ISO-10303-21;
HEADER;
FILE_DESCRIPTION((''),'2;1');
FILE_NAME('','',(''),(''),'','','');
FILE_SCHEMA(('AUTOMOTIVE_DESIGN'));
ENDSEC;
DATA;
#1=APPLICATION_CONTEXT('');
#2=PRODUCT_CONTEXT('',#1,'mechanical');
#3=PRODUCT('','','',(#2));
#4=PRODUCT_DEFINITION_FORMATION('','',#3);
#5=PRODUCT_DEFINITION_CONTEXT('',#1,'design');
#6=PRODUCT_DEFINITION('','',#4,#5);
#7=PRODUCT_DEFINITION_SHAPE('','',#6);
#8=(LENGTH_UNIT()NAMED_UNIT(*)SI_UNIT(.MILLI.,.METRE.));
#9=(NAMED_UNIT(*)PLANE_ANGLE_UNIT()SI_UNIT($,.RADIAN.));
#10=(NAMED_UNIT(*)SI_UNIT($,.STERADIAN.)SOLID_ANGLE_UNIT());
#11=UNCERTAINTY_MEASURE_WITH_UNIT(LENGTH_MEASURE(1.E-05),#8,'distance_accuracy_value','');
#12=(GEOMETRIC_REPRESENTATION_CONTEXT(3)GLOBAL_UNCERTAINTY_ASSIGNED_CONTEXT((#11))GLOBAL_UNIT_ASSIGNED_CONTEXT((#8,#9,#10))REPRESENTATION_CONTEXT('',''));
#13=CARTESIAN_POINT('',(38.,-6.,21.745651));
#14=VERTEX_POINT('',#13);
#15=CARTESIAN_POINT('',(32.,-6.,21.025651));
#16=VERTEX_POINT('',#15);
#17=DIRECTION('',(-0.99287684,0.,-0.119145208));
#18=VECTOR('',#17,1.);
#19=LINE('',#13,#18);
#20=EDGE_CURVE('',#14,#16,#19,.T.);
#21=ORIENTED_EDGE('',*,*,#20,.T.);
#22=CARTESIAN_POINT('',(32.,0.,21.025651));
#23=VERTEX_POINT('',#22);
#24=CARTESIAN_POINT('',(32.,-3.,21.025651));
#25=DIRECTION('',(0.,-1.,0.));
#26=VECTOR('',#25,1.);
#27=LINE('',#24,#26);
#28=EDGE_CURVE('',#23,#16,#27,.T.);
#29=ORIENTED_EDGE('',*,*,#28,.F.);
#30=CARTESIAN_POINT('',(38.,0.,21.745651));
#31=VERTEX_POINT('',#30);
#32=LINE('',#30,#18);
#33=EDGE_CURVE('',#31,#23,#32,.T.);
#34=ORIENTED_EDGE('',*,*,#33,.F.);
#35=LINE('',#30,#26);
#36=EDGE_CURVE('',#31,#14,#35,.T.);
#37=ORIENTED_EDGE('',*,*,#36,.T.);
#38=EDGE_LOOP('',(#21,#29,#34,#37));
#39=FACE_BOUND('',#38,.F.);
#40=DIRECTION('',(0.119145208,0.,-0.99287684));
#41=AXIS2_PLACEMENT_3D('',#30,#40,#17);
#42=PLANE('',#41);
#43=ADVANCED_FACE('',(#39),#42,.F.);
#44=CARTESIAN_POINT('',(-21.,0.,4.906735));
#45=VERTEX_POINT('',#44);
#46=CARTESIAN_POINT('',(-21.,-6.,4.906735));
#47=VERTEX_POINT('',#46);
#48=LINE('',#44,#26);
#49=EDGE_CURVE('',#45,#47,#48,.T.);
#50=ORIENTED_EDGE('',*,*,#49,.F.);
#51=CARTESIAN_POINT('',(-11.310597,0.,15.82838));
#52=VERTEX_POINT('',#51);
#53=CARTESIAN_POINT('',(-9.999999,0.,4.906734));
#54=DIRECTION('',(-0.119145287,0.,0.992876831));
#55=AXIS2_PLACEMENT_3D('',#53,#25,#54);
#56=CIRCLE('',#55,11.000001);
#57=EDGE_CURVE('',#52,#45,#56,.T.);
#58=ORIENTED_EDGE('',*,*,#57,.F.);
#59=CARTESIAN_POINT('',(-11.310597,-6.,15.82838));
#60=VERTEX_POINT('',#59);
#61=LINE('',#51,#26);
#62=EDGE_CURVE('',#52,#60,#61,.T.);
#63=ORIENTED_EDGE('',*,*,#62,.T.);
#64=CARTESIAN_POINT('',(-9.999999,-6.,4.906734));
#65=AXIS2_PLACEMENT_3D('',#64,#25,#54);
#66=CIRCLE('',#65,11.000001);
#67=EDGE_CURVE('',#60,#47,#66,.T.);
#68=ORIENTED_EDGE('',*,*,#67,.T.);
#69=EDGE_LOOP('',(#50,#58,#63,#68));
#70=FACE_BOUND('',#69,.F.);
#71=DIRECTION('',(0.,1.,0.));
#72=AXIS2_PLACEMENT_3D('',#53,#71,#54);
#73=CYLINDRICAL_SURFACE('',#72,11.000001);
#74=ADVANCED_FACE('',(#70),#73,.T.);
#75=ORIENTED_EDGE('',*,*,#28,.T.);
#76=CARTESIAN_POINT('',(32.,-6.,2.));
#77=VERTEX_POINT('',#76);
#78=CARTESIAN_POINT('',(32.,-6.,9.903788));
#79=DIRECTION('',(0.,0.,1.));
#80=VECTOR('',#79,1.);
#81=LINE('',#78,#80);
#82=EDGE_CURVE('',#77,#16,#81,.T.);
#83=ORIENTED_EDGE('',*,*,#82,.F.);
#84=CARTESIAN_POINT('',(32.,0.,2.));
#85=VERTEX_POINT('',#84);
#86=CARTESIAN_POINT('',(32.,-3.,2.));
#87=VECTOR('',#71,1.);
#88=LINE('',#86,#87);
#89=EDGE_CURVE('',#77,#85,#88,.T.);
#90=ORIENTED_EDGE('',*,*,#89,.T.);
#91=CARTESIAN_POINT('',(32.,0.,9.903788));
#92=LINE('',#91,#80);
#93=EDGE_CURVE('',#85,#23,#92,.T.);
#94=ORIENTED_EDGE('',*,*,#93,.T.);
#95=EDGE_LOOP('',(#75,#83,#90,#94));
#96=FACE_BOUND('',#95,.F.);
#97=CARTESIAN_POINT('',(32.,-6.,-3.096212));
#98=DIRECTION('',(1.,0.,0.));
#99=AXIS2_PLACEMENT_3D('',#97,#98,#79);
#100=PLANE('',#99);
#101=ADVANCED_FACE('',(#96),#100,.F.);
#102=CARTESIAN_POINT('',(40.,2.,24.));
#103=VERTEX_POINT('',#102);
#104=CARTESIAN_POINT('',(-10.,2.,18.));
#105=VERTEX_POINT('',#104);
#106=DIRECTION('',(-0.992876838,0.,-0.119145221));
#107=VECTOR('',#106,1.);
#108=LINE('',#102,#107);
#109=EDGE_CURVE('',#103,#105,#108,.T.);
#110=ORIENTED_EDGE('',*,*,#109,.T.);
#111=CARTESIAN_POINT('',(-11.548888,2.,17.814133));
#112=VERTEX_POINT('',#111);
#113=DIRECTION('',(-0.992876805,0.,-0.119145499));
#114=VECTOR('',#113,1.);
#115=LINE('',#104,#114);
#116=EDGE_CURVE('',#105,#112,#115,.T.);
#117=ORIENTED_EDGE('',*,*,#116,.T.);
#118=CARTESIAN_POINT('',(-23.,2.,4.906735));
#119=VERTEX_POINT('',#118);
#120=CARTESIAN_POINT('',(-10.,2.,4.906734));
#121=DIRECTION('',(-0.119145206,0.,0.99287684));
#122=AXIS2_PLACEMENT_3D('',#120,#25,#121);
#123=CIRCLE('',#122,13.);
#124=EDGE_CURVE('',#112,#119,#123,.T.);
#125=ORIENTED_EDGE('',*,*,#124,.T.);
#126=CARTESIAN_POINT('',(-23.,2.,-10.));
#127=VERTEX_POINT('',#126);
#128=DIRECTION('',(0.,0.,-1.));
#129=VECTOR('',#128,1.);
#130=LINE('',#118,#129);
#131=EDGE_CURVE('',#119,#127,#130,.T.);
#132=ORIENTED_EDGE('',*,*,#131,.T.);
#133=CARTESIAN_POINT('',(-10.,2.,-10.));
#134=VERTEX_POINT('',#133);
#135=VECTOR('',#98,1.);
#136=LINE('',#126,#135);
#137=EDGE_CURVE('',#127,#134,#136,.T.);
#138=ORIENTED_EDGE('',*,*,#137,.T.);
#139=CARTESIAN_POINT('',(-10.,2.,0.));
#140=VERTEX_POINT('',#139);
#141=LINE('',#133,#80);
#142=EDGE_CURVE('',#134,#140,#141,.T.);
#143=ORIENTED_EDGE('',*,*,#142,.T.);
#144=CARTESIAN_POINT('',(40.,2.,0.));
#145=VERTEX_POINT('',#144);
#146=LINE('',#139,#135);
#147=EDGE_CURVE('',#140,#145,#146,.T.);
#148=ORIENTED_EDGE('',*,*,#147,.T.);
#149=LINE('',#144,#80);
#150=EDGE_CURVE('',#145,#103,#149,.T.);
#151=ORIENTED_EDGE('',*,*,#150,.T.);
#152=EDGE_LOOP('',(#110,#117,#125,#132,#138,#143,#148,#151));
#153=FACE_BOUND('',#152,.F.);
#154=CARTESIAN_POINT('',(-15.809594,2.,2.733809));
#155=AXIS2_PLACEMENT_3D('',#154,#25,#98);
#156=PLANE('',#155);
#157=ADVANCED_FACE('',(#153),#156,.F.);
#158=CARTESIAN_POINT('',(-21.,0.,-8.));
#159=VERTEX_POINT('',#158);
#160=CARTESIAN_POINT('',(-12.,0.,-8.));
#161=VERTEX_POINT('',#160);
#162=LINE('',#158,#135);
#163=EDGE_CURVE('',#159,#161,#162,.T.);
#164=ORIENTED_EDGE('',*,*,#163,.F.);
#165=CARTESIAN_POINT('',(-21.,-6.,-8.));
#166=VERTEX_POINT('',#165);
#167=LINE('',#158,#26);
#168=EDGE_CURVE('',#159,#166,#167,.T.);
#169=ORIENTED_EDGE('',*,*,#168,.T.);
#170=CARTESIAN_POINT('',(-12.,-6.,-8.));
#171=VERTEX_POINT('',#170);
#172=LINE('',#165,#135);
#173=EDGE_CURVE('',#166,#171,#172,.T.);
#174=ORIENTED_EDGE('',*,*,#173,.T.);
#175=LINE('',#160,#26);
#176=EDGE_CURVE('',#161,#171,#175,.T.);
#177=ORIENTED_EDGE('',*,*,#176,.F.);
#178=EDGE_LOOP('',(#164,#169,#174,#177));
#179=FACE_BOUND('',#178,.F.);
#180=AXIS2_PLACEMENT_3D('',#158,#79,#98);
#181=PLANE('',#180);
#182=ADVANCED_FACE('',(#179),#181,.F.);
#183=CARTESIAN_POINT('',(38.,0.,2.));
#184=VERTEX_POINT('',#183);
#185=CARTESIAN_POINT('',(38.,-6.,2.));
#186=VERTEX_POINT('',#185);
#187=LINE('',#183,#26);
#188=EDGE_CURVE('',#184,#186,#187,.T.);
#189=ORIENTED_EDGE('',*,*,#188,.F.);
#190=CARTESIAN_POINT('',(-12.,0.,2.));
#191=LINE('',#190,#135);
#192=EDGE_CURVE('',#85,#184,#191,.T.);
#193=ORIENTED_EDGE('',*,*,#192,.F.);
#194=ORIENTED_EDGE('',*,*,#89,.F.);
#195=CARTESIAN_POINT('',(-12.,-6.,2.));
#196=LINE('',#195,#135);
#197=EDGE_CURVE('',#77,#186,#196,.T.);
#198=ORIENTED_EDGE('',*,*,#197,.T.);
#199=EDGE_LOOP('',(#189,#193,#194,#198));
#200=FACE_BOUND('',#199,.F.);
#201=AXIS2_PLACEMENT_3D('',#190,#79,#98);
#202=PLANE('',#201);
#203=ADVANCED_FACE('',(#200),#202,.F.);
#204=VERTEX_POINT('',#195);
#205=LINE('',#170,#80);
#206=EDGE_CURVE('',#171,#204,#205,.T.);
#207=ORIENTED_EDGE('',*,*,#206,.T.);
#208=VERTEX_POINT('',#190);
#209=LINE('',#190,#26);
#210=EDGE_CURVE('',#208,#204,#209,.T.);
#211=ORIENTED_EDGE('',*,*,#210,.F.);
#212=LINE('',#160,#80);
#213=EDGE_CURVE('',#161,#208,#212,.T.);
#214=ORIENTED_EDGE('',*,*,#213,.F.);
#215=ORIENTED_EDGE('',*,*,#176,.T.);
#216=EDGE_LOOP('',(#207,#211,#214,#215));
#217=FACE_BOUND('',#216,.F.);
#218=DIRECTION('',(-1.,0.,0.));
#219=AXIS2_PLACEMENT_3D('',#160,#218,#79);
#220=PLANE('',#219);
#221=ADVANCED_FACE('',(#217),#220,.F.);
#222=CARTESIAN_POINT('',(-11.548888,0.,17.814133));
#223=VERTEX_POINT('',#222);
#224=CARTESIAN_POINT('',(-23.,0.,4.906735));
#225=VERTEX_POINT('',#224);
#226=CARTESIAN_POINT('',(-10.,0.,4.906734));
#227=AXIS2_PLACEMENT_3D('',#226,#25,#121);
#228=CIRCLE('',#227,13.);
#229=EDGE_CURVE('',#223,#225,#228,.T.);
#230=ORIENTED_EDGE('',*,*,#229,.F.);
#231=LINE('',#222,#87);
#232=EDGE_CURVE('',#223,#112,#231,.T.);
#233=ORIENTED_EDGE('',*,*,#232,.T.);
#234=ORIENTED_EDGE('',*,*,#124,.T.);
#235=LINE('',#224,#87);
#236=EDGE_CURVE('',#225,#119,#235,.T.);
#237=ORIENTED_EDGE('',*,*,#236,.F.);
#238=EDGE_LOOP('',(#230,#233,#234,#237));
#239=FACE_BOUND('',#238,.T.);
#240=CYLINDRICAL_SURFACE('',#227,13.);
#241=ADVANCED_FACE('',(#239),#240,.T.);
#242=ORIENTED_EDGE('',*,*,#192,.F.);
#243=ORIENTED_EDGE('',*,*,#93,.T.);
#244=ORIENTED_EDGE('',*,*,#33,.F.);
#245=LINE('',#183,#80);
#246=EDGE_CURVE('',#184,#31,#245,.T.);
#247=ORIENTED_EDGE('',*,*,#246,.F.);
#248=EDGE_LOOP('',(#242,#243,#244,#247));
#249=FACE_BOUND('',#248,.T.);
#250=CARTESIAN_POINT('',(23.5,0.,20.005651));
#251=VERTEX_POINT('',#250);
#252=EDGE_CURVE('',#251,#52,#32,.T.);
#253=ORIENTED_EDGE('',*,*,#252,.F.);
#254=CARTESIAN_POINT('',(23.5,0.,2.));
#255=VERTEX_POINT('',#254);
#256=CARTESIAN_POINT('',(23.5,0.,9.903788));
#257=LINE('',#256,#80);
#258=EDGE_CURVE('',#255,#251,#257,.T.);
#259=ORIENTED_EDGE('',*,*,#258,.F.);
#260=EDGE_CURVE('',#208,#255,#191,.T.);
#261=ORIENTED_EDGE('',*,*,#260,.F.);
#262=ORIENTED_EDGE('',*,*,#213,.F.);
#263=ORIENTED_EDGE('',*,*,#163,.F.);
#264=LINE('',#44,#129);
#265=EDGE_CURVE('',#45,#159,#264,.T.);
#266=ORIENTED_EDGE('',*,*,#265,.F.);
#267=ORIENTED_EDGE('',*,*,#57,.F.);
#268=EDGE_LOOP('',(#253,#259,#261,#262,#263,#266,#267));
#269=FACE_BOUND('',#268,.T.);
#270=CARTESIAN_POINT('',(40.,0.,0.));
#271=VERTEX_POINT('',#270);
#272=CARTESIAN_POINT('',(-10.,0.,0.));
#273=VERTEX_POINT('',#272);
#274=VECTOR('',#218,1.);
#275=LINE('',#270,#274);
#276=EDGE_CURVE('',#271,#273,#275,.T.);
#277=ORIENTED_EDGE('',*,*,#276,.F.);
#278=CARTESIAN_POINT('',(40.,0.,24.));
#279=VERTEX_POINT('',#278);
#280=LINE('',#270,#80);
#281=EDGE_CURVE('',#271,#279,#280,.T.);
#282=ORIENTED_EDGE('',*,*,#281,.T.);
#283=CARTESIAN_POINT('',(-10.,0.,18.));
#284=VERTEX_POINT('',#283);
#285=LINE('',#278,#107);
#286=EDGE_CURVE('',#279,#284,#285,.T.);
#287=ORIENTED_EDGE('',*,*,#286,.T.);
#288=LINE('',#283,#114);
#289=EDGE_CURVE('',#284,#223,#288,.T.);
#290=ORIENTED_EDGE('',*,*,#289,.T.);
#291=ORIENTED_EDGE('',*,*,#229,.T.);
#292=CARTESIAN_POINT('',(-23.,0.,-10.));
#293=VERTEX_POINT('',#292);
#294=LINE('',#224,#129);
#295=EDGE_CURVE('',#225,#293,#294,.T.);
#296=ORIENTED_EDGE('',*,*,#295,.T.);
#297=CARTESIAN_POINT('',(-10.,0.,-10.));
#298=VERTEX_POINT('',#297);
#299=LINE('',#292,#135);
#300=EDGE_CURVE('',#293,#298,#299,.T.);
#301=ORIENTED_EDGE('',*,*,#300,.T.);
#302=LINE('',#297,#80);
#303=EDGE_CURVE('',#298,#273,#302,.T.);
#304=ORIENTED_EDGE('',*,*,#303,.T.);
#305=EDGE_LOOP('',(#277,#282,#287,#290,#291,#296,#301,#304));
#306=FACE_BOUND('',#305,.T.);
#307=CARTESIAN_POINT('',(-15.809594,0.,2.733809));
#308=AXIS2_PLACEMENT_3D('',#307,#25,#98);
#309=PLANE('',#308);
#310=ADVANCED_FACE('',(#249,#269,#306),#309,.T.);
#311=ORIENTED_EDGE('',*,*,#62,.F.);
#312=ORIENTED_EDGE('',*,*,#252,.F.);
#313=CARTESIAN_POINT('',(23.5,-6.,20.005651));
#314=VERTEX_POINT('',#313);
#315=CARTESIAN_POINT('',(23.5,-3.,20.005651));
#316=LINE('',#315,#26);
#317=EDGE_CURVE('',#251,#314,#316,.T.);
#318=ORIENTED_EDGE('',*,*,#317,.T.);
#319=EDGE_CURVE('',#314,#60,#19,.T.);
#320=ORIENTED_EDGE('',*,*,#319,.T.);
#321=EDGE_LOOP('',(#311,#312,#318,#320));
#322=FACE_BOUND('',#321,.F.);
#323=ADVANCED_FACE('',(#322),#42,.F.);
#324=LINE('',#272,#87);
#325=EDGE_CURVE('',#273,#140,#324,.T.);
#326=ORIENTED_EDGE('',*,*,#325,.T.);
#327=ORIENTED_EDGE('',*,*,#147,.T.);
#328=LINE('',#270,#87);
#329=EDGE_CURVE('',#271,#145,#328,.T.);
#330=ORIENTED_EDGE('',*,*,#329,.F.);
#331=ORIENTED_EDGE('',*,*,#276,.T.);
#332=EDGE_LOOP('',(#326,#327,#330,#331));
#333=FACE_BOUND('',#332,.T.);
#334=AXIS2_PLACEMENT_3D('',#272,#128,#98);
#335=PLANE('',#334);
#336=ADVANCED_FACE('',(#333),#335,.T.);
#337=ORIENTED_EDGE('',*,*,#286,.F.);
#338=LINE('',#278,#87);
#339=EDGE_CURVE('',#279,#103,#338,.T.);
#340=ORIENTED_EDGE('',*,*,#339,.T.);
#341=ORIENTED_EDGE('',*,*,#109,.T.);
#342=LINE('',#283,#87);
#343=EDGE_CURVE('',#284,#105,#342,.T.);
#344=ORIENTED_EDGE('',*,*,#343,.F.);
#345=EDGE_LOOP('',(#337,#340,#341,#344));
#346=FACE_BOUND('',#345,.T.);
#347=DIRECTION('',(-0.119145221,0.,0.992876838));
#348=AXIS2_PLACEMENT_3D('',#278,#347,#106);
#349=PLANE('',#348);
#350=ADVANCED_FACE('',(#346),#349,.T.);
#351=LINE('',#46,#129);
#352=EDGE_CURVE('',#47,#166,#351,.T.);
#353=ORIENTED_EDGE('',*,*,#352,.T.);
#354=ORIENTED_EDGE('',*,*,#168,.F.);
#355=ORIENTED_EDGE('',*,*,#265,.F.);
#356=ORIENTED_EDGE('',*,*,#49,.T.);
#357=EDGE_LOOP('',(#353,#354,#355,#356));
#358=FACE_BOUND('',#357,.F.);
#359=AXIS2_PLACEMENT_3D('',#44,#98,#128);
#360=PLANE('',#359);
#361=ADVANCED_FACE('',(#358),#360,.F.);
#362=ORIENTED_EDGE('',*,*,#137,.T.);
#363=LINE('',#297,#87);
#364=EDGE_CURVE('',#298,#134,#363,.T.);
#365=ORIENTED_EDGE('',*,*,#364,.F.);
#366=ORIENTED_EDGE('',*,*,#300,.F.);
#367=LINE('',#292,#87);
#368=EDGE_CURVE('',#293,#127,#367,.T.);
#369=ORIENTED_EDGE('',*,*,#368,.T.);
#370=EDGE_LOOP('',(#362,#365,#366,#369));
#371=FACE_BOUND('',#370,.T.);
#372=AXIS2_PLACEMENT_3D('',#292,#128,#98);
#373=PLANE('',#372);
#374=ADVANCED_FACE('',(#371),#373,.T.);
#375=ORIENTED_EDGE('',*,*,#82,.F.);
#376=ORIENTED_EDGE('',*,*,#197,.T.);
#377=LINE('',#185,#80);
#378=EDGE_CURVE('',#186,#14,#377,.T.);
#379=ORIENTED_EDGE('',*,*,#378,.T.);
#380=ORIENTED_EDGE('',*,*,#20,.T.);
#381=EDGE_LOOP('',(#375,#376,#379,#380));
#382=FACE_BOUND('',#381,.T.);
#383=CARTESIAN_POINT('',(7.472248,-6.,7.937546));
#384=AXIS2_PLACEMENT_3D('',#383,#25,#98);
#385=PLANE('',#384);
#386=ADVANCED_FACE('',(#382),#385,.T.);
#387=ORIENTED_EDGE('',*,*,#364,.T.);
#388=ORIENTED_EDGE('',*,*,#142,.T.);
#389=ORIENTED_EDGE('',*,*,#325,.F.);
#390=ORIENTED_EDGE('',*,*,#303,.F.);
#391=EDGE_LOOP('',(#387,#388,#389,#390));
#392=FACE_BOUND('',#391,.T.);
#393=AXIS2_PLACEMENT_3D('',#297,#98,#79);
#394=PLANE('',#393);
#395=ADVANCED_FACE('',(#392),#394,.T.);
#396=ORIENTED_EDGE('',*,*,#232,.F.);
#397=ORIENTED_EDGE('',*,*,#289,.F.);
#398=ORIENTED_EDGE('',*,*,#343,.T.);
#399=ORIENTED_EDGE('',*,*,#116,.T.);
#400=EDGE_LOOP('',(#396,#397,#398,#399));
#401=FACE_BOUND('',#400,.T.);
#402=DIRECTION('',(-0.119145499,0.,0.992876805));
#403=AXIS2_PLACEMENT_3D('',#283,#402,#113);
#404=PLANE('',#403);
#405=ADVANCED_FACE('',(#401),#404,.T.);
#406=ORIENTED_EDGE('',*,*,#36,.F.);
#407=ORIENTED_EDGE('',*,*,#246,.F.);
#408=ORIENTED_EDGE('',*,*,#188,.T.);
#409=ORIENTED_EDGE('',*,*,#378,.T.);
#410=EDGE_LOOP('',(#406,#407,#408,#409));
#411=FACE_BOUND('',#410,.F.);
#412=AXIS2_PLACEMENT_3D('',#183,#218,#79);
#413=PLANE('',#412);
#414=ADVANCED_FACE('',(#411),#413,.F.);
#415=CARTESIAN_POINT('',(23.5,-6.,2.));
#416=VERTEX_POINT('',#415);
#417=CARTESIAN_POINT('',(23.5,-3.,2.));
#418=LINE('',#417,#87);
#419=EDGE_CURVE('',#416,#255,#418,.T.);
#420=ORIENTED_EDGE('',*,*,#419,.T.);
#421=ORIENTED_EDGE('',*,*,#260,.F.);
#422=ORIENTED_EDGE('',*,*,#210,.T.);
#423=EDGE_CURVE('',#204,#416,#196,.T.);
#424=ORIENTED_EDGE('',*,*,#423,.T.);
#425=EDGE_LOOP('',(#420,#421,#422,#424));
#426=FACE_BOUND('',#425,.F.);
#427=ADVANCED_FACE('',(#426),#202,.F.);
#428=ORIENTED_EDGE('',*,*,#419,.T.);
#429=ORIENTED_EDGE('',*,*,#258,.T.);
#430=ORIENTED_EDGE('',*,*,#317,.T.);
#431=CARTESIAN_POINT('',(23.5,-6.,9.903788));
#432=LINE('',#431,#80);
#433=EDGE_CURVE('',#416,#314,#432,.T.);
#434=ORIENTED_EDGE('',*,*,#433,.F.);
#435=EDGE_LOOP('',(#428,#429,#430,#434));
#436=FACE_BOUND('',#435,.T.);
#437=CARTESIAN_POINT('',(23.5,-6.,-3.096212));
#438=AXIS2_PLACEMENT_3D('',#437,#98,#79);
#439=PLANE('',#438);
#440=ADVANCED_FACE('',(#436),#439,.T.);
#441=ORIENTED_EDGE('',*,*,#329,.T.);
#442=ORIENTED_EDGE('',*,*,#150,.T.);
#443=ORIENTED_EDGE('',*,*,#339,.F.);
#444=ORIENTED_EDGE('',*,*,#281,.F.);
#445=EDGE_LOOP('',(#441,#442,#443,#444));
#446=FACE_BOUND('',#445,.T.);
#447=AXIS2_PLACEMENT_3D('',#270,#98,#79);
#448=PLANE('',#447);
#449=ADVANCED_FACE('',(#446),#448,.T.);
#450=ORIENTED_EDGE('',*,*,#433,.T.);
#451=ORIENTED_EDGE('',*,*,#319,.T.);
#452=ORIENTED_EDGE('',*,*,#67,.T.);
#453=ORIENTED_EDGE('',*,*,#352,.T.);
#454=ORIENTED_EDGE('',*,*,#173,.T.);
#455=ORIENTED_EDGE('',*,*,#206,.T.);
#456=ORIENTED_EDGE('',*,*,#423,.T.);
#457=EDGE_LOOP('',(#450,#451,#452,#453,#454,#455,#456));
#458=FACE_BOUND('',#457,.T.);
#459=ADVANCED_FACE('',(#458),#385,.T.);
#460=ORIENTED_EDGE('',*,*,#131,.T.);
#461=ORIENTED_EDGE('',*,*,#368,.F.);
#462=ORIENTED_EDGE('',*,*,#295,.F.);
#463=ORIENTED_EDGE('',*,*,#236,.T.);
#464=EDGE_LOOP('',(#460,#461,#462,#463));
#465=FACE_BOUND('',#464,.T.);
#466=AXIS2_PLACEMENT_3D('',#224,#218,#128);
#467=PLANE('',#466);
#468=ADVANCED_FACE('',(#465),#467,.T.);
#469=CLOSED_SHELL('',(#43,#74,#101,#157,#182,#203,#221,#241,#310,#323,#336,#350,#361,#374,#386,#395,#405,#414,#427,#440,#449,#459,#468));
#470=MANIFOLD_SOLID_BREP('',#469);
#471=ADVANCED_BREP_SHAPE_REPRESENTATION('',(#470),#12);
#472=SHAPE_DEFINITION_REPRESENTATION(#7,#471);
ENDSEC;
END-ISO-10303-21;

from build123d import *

# Parameters (mm, degrees)
F1_DEPTH = 2
F3_DEPTH = 6
F4_W     = 8.5
F4_H     = 26
F5_DEPTH = 6


with BuildPart() as f1:
    # F0 (on Front) → F1 (new body)
    with BuildSketch(Plane.XZ):
        with BuildLine():
            Line((-10, -10), (-10, 0))
            Line((-10, 0), (-10, 18))
            Line((-10, 18), (-11.548888, 17.814133))
            ThreePointArc((-11.548888, 17.814133), (-19.724596, 13.534146), (-23, 4.906735))
            Line((-23, 4.906735), (-23, -10))
            Line((-23, -10), (-10, -10))
        make_face()
        Polygon((-10, 0), (0, 0), (40, 0), (40, 24), (-10, 18), align=None)
    extrude(amount=-F1_DEPTH)

    # F2 (on face) → F3 (join)
    with BuildSketch(Plane.XZ):
        with BuildLine():
            Line((0, 2), (38, 2))
            Line((38, 2), (38, 21.745651))
            Line((38, 21.745651), (-11.310597, 15.82838))
            ThreePointArc((-11.310597, 15.82838), (-18.228504, 12.206852), (-21, 4.906735))
            Line((-21, 4.906735), (-21, -8))
            Line((-21, -8), (-12, -8))
            Line((-12, -8), (-12, 2))
            Line((-12, 2), (0, 2))
        make_face()
    extrude(amount=F3_DEPTH)

    # F4 (on face) → F5 (cut)
    with BuildSketch(Plane.XZ.offset(6)):
        with Locations((27.75, 9.903788)):
            Rectangle(F4_W, F4_H)
    extrude(amount=-F5_DEPTH, mode=Mode.SUBTRACT)


solid = f1.part
